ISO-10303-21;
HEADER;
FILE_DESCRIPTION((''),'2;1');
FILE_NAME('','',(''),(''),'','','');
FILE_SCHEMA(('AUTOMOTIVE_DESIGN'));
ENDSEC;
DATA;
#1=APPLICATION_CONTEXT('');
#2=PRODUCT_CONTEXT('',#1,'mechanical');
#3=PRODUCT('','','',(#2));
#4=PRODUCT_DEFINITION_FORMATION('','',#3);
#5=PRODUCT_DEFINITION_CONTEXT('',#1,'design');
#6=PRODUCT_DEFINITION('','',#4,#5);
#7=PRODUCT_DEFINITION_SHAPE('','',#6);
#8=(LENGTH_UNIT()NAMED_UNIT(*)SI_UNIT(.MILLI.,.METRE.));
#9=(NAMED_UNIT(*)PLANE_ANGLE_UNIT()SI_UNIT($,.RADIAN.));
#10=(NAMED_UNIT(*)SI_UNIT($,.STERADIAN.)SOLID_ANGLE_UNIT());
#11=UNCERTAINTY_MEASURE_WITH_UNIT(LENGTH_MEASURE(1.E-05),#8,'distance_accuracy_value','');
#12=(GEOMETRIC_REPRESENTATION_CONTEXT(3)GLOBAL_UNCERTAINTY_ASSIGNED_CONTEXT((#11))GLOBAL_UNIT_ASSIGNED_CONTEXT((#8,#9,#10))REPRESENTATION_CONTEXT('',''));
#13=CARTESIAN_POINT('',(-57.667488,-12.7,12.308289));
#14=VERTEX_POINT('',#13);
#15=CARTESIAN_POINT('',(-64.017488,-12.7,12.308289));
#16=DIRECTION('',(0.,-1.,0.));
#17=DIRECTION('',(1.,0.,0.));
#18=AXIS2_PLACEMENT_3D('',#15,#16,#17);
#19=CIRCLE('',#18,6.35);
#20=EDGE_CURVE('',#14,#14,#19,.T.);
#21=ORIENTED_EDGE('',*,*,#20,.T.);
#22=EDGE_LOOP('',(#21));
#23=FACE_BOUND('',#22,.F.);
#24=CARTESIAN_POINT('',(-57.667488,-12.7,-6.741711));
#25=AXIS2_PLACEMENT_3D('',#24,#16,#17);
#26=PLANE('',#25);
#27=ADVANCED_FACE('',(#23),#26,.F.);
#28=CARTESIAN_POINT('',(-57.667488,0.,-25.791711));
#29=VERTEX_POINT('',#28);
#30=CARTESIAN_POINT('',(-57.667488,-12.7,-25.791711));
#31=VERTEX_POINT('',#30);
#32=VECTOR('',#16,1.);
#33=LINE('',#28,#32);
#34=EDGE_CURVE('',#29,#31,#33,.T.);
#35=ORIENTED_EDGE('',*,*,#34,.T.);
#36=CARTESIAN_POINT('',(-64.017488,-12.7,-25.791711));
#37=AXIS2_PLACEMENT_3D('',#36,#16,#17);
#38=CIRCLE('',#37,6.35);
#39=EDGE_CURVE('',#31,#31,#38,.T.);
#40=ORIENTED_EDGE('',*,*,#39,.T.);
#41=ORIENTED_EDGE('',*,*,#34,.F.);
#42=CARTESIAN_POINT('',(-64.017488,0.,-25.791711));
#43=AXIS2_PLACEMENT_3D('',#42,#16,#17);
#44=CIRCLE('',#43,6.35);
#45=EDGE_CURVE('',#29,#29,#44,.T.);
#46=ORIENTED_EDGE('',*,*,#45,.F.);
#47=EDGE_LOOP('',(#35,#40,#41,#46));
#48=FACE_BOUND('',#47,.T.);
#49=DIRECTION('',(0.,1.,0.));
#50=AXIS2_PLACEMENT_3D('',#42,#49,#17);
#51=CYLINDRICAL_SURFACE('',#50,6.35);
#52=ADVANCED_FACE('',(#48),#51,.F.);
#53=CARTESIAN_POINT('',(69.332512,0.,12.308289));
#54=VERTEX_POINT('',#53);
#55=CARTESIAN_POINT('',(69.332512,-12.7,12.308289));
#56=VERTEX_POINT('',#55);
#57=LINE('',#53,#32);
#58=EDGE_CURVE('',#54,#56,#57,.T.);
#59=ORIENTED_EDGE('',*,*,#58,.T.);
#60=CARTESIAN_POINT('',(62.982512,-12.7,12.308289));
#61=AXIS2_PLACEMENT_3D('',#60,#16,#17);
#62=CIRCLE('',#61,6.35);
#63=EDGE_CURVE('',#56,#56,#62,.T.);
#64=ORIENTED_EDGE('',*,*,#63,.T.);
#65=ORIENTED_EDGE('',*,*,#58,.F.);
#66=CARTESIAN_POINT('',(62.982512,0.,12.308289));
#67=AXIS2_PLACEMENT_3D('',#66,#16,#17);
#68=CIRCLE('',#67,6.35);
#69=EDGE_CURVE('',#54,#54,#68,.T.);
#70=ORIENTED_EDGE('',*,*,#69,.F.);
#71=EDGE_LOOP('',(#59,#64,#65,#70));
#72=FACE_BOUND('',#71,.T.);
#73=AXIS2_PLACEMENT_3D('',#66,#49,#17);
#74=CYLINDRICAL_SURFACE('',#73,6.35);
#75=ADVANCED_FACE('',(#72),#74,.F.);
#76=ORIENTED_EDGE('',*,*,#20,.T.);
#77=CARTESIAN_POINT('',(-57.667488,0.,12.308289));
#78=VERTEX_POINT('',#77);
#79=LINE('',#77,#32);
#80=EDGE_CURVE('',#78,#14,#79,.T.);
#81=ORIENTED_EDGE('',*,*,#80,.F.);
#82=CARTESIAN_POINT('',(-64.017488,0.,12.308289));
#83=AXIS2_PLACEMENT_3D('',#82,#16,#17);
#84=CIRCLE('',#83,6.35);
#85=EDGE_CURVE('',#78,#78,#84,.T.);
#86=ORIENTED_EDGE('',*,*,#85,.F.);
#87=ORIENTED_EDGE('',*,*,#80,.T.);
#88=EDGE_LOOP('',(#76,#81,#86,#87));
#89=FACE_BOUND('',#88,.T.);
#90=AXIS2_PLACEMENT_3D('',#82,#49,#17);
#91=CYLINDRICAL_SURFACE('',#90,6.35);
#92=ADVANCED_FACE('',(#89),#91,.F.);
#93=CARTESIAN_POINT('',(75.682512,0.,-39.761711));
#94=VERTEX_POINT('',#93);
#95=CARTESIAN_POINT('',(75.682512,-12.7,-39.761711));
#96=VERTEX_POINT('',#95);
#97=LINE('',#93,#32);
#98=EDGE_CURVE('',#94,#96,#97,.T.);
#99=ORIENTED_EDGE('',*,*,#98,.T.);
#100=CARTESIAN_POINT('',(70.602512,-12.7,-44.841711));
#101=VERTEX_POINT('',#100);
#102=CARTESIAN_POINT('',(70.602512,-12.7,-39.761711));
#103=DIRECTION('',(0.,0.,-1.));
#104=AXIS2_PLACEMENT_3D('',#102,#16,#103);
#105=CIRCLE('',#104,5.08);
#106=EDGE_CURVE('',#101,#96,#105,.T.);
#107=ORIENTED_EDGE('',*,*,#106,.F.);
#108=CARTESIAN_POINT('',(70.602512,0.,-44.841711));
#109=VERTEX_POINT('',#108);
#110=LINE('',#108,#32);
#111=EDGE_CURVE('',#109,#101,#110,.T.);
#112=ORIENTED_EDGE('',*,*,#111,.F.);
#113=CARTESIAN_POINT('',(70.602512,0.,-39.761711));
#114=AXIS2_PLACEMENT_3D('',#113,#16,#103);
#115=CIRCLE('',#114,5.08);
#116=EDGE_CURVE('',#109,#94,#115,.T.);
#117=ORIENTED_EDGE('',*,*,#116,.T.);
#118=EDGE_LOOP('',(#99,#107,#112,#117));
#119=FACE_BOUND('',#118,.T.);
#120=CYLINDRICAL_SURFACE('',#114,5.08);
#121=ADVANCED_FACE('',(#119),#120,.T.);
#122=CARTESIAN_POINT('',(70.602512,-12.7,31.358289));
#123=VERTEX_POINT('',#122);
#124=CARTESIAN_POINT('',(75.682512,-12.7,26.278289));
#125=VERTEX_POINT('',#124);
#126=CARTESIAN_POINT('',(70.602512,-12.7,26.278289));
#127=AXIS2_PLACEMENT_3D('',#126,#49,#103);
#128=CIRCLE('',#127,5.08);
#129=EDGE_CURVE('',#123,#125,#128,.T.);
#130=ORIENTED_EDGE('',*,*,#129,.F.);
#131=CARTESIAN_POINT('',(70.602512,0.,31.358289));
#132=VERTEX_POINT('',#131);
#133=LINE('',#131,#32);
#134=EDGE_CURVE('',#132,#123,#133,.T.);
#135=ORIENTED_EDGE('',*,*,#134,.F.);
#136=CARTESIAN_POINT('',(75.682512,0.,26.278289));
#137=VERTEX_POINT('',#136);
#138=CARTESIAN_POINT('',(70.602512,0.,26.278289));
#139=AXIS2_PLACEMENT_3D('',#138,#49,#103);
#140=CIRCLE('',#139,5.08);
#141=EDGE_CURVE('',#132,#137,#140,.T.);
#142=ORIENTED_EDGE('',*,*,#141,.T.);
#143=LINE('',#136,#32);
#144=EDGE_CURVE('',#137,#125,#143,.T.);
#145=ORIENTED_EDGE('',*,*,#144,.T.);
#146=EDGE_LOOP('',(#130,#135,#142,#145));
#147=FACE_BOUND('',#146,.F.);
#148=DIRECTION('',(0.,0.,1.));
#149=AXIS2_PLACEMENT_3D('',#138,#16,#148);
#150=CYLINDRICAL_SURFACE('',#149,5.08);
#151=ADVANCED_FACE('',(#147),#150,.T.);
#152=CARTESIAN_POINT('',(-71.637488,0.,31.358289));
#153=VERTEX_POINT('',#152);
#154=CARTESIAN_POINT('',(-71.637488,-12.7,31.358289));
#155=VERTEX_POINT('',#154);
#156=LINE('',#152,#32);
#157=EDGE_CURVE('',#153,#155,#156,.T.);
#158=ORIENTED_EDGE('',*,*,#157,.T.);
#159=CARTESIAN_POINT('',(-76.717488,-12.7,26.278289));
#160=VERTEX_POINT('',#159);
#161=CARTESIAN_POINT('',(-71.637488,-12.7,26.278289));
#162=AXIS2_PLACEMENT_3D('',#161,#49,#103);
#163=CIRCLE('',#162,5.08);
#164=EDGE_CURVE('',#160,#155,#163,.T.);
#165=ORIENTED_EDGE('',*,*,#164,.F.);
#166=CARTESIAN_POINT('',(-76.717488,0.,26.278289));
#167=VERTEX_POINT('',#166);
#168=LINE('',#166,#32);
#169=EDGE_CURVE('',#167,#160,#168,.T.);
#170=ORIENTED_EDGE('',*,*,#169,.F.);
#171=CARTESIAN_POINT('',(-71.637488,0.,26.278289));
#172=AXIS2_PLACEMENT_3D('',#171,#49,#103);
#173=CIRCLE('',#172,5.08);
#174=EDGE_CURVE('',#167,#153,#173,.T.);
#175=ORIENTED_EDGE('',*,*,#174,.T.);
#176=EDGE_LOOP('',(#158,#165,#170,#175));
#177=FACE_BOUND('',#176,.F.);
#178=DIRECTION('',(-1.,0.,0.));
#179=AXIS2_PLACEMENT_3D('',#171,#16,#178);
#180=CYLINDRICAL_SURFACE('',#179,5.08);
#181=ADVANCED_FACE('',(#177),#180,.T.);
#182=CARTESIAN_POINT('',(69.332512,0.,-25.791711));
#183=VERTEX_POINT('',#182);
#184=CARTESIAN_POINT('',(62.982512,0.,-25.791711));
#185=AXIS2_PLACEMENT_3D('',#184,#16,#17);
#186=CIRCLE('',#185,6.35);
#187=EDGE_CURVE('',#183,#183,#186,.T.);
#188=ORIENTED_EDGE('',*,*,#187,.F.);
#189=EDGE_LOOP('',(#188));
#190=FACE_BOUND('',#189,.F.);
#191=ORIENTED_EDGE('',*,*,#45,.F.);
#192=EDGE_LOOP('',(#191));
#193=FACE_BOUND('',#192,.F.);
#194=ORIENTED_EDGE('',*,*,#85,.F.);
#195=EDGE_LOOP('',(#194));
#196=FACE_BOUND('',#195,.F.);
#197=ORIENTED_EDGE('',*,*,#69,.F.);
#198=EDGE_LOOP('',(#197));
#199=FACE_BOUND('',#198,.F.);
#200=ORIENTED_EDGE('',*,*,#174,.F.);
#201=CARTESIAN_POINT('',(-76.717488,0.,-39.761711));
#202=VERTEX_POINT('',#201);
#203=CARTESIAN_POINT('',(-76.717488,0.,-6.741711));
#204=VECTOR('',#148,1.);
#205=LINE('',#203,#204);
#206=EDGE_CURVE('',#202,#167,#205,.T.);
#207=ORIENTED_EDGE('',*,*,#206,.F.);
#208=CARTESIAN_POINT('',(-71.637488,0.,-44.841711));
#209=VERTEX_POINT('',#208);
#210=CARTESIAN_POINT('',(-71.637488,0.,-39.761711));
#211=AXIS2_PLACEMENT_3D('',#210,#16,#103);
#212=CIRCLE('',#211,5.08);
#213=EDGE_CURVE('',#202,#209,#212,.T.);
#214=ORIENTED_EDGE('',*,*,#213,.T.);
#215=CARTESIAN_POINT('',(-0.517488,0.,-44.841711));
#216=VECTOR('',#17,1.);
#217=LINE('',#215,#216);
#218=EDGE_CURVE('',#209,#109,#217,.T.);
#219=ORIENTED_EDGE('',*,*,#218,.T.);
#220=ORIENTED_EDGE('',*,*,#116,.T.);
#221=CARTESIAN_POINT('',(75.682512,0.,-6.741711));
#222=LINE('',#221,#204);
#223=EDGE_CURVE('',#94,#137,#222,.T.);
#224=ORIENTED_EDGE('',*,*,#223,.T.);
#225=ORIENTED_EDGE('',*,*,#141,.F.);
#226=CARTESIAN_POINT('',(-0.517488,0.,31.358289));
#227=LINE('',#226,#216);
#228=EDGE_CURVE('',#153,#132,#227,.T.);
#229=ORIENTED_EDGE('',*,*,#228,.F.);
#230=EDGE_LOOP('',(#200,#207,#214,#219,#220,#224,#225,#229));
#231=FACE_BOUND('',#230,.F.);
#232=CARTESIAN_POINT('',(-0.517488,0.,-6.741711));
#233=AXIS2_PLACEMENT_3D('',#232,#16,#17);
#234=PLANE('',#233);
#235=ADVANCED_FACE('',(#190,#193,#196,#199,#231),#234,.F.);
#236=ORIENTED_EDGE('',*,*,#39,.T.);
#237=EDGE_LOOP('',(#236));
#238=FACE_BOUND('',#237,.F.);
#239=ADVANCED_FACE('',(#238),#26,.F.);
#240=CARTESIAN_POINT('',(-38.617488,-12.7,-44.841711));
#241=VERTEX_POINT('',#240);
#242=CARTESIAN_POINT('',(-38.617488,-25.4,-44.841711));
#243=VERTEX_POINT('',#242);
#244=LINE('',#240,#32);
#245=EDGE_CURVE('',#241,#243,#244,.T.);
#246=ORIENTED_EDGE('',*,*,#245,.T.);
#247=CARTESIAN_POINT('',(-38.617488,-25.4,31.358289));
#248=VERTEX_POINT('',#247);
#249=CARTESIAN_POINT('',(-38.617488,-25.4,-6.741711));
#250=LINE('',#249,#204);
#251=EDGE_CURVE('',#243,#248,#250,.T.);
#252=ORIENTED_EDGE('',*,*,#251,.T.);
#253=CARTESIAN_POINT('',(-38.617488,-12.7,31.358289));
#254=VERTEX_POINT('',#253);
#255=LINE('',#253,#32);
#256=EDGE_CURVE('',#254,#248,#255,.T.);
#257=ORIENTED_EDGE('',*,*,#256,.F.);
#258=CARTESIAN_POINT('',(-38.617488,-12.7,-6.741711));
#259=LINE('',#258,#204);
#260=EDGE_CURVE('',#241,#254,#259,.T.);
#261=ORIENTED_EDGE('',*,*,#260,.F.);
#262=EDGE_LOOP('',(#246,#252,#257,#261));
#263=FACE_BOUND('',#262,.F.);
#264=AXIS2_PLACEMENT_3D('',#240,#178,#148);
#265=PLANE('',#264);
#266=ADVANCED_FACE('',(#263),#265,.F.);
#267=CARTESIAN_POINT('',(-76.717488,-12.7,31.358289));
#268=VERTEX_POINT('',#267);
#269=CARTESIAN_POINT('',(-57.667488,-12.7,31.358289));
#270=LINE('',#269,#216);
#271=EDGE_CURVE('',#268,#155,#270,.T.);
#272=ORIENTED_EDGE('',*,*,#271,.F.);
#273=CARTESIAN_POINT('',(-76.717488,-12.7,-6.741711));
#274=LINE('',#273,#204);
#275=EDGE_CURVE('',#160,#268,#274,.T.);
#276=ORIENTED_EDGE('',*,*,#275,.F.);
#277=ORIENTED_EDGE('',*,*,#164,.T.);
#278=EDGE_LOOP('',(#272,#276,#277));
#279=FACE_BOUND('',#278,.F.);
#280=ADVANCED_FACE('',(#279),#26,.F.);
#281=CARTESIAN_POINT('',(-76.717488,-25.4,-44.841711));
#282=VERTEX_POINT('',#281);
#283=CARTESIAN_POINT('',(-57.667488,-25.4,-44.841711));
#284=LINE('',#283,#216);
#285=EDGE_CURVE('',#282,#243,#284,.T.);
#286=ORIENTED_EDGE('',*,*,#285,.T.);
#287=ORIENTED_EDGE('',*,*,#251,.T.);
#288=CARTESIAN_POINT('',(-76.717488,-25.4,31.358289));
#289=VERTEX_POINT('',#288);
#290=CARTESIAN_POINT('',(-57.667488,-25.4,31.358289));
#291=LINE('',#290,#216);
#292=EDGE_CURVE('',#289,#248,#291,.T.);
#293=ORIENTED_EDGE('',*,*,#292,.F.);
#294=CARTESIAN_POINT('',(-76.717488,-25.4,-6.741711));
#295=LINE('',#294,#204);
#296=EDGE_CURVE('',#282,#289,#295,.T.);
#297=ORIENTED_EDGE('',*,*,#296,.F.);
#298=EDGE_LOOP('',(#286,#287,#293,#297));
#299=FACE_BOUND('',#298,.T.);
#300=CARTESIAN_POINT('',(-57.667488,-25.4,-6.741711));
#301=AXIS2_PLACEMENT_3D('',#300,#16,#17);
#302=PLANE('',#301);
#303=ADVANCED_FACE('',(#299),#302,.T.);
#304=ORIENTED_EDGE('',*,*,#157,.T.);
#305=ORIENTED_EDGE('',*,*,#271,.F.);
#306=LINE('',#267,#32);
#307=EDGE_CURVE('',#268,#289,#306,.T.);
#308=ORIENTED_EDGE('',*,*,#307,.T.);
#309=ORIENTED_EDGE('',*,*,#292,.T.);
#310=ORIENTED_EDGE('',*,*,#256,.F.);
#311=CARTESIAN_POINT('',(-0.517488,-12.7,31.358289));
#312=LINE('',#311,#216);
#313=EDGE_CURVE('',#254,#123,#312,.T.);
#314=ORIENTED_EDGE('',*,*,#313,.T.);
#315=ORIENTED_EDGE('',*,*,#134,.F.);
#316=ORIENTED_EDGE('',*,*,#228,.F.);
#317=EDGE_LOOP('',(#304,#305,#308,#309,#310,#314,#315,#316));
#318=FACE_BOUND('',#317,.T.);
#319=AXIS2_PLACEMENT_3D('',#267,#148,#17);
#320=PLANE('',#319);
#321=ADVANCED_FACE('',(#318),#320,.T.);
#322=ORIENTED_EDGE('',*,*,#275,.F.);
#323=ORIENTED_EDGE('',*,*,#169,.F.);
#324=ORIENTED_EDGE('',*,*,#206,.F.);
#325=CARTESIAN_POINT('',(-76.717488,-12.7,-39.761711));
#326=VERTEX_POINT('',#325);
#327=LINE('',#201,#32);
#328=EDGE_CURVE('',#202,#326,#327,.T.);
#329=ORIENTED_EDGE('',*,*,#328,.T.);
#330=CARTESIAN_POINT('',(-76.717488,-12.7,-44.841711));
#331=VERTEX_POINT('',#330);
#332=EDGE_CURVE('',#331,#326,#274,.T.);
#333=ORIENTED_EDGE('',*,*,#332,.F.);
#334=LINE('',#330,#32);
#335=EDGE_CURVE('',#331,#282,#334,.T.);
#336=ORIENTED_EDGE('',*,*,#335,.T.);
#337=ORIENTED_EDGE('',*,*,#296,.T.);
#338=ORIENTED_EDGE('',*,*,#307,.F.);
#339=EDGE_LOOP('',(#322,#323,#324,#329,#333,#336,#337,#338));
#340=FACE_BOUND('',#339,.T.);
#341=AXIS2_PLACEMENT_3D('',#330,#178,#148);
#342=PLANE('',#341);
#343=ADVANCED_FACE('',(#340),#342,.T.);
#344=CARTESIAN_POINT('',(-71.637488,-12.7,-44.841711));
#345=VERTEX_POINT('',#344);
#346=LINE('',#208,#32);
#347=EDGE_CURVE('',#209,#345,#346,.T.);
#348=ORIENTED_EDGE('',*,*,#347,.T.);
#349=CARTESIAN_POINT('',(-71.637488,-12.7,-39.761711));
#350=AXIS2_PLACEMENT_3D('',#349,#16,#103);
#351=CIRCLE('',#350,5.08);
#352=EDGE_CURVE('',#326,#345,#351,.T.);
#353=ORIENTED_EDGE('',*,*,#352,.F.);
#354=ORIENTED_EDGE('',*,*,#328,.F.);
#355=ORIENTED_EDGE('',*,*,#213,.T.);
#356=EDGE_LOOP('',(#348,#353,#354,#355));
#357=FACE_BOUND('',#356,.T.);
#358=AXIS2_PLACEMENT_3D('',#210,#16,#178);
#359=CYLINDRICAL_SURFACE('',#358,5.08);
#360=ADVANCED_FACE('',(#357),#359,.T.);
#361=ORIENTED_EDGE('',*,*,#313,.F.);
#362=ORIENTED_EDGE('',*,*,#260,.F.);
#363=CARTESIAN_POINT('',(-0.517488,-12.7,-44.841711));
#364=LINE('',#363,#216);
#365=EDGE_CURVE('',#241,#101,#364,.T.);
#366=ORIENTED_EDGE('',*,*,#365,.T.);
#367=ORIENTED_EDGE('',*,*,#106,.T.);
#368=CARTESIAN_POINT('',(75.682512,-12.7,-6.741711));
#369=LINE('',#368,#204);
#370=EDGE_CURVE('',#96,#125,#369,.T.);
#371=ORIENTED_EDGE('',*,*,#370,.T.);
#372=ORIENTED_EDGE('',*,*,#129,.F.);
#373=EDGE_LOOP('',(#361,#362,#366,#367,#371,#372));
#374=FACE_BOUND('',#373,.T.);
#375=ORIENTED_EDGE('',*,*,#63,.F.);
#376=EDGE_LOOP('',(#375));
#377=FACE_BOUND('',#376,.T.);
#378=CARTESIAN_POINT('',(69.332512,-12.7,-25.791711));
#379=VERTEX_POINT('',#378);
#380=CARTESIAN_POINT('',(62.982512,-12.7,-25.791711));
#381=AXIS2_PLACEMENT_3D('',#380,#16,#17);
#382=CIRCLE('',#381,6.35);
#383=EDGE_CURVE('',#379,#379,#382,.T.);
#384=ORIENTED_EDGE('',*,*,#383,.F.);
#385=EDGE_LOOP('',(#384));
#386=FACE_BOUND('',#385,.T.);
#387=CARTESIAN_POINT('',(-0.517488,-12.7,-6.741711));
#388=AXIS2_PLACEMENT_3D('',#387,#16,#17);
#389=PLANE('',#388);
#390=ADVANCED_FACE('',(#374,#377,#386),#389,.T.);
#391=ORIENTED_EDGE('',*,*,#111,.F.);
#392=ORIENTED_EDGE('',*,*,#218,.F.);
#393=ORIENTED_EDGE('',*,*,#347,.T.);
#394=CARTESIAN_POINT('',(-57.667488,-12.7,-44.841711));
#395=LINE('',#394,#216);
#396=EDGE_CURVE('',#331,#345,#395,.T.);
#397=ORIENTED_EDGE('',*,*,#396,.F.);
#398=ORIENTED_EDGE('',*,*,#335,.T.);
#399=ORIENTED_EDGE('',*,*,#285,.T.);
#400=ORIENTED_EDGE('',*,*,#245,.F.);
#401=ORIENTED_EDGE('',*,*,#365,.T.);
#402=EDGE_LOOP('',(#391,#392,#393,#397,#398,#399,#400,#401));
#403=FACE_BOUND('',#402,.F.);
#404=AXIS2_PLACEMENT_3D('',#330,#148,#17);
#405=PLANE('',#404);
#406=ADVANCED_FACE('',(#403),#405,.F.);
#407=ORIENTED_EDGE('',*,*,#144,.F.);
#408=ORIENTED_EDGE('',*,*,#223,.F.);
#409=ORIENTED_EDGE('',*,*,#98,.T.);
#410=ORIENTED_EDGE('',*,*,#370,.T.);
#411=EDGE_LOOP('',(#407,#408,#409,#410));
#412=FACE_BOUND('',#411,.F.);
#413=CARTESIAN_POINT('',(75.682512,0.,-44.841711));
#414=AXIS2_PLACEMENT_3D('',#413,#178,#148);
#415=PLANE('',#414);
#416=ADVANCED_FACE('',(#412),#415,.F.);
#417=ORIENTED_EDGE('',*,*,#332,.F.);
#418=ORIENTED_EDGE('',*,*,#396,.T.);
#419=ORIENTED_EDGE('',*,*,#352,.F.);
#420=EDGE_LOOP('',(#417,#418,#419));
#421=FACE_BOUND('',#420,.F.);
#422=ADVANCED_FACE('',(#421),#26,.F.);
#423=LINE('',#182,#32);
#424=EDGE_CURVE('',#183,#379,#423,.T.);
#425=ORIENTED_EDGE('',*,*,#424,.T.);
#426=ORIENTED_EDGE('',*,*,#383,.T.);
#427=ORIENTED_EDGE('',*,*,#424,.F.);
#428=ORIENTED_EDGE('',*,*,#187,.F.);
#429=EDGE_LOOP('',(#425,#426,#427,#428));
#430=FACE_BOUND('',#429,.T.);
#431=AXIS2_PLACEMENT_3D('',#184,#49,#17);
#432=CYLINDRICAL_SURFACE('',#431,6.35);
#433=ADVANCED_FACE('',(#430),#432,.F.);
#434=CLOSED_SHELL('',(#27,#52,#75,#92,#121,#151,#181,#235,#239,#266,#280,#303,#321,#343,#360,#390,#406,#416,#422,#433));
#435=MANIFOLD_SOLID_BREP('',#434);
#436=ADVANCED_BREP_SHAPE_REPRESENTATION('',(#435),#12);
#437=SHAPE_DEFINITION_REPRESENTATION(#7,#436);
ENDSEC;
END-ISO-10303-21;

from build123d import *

# Parameters (mm, degrees)
F0_W     = 152.4
F0_H     = 76.2
F0_R     = 6.35
F1_DEPTH = 12.7
F2_R     = 5.08
F3_W     = 38.1
F3_H     = 76.2
F4_DEPTH = 12.7


with BuildPart() as f1:
    # F0 (on Front) → F1 (new body)
    with BuildSketch(Plane.XZ):
        with Locations((-0.517488, -6.741711)):
            Rectangle(F0_W, F0_H)
        with Locations((-64.017488, -25.791711)):
            Circle(F0_R, mode=Mode.SUBTRACT)
        with Locations((62.982512, -25.791711)):
            Circle(F0_R, mode=Mode.SUBTRACT)
        with Locations((-64.017488, 12.308289)):
            Circle(F0_R, mode=Mode.SUBTRACT)
        with Locations((62.982512, 12.308289)):
            Circle(F0_R, mode=Mode.SUBTRACT)
    extrude(amount=F1_DEPTH)

    # F2
    f2_edges = [f1.edges().sort_by_distance(p)[0] for p in [
        (-76.717488, -6.35, 31.358289),
        (-76.717488, -6.35, -44.841711),
        (75.682512, -6.35, -44.841711),
        (75.682512, -6.35, 31.358289),
    ]]
    fillet(f2_edges, radius=F2_R)

    # F3 (on face) → F4 (join)
    with BuildSketch(Plane.XZ.offset(12.7)):
        with Locations((-57.667488, -6.741711)):
            Rectangle(F3_W, F3_H)
    extrude(amount=F4_DEPTH)


solid = f1.part
